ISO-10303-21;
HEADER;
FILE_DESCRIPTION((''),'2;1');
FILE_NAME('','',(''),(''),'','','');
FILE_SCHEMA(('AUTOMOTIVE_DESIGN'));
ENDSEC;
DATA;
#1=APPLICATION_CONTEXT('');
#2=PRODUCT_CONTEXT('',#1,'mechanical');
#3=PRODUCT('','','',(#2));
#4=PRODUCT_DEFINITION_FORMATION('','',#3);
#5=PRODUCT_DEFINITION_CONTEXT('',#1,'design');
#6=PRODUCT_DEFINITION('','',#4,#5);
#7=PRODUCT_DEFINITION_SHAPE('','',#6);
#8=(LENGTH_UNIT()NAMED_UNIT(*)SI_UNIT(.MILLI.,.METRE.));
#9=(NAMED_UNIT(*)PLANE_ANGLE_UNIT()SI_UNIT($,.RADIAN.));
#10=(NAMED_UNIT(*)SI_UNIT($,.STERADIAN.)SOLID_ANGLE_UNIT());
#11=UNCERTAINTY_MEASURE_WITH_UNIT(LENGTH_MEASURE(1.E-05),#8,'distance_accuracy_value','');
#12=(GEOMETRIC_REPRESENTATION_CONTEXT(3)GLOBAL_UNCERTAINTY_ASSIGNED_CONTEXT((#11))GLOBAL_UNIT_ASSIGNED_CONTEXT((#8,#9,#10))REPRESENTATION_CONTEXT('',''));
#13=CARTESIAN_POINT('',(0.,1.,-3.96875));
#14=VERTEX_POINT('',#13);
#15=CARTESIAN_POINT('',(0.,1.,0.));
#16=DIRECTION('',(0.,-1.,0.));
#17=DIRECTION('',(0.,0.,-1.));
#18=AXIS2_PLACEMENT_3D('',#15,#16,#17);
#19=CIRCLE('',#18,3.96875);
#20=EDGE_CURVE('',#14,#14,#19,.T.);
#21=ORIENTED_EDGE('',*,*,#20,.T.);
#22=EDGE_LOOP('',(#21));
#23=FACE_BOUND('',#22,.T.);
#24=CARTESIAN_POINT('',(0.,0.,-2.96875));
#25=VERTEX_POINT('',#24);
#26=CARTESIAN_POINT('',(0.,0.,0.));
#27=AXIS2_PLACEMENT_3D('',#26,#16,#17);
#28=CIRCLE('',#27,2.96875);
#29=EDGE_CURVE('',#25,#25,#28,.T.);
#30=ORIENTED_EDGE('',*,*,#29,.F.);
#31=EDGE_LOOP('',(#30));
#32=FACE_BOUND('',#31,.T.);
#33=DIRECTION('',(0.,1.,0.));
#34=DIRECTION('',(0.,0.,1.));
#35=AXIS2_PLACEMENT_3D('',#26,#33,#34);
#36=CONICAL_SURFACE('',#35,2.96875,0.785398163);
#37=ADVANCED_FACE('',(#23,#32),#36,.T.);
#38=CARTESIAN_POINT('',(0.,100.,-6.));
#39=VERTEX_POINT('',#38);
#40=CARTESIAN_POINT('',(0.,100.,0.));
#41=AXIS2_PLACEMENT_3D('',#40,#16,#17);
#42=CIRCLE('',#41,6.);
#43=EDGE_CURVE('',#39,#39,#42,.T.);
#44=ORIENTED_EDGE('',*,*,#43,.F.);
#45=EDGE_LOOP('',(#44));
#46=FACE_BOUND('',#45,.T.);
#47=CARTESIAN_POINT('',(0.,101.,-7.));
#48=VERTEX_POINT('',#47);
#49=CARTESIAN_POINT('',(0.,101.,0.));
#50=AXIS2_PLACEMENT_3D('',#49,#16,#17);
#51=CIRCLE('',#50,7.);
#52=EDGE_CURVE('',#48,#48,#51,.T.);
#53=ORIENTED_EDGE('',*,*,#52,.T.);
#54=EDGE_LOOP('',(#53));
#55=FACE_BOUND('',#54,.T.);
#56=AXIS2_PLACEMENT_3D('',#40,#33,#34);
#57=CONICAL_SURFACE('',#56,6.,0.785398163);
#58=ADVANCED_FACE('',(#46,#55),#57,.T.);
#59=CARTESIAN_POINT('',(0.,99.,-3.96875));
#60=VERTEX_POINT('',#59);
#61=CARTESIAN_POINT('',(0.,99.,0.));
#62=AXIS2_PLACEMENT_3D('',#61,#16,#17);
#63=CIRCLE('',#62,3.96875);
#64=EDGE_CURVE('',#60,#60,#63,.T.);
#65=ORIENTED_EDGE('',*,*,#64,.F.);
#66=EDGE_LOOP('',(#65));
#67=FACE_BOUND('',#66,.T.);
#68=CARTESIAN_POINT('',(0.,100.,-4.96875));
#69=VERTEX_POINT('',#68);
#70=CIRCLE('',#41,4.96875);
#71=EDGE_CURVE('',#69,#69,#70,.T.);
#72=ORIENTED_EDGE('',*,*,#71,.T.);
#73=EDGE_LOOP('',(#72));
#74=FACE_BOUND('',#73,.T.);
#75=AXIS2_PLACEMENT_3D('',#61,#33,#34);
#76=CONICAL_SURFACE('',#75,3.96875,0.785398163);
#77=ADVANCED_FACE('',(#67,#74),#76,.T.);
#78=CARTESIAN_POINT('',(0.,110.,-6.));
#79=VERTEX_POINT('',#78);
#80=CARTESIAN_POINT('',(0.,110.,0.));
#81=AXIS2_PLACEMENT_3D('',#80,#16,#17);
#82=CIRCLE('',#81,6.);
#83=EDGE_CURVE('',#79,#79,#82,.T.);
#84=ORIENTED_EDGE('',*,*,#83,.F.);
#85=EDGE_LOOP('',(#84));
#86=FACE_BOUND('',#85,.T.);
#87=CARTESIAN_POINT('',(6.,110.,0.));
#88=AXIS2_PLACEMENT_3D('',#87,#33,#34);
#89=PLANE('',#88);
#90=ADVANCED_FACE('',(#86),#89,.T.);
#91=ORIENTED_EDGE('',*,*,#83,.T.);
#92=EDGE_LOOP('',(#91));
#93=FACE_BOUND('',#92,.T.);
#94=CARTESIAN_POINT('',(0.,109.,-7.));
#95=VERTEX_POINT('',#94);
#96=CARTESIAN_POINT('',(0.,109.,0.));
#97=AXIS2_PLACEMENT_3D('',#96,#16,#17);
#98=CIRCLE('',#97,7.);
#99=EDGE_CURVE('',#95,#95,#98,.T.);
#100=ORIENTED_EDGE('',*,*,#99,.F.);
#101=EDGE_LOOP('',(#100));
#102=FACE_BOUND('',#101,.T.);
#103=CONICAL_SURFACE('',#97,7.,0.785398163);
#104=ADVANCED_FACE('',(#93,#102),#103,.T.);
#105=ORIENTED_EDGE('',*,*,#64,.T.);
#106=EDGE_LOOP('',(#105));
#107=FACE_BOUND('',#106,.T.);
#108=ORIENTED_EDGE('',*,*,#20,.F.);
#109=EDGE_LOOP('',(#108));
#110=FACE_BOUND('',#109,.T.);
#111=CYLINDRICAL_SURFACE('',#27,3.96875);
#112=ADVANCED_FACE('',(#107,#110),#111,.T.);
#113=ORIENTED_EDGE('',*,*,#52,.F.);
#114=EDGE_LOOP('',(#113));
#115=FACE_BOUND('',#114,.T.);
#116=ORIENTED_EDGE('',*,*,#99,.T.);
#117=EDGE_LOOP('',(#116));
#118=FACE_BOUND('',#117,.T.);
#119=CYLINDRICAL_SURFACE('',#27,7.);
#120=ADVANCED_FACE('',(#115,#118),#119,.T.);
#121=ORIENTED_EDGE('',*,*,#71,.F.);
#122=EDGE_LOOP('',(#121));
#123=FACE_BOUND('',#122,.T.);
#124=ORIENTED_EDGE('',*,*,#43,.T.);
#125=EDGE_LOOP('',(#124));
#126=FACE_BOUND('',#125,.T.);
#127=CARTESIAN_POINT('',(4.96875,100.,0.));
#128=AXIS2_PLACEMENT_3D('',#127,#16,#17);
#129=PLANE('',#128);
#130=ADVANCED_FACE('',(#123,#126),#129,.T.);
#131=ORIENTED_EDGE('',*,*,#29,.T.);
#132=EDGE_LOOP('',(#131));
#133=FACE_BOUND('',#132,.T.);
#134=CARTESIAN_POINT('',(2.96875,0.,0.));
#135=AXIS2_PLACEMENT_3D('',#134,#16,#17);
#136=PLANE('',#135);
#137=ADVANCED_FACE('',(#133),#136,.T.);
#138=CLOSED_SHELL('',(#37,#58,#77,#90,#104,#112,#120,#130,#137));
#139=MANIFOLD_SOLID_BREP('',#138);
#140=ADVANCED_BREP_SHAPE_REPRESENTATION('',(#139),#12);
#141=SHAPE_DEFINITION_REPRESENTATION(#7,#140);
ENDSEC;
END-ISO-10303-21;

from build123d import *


with BuildPart() as part:
    # Sketch1 → Revolve1 (revolve)
    with BuildSketch(Plane.XY, mode=Mode.PRIVATE) as revolve1_sk:
        Polygon((3.96875, 99), (3.96875, 1), (2.96875, 0), (0, 0), (0, 110), (6, 110), (7, 109), (7, 101), (6, 100), (4.96875, 100), align=None)
    revolve(revolve1_sk.sketch.rotate(Axis((0, 0, 0), (0, 1, 0)), 90), axis=Axis((0, 0, 0), (0, 1, 0)))


solid = part.part
